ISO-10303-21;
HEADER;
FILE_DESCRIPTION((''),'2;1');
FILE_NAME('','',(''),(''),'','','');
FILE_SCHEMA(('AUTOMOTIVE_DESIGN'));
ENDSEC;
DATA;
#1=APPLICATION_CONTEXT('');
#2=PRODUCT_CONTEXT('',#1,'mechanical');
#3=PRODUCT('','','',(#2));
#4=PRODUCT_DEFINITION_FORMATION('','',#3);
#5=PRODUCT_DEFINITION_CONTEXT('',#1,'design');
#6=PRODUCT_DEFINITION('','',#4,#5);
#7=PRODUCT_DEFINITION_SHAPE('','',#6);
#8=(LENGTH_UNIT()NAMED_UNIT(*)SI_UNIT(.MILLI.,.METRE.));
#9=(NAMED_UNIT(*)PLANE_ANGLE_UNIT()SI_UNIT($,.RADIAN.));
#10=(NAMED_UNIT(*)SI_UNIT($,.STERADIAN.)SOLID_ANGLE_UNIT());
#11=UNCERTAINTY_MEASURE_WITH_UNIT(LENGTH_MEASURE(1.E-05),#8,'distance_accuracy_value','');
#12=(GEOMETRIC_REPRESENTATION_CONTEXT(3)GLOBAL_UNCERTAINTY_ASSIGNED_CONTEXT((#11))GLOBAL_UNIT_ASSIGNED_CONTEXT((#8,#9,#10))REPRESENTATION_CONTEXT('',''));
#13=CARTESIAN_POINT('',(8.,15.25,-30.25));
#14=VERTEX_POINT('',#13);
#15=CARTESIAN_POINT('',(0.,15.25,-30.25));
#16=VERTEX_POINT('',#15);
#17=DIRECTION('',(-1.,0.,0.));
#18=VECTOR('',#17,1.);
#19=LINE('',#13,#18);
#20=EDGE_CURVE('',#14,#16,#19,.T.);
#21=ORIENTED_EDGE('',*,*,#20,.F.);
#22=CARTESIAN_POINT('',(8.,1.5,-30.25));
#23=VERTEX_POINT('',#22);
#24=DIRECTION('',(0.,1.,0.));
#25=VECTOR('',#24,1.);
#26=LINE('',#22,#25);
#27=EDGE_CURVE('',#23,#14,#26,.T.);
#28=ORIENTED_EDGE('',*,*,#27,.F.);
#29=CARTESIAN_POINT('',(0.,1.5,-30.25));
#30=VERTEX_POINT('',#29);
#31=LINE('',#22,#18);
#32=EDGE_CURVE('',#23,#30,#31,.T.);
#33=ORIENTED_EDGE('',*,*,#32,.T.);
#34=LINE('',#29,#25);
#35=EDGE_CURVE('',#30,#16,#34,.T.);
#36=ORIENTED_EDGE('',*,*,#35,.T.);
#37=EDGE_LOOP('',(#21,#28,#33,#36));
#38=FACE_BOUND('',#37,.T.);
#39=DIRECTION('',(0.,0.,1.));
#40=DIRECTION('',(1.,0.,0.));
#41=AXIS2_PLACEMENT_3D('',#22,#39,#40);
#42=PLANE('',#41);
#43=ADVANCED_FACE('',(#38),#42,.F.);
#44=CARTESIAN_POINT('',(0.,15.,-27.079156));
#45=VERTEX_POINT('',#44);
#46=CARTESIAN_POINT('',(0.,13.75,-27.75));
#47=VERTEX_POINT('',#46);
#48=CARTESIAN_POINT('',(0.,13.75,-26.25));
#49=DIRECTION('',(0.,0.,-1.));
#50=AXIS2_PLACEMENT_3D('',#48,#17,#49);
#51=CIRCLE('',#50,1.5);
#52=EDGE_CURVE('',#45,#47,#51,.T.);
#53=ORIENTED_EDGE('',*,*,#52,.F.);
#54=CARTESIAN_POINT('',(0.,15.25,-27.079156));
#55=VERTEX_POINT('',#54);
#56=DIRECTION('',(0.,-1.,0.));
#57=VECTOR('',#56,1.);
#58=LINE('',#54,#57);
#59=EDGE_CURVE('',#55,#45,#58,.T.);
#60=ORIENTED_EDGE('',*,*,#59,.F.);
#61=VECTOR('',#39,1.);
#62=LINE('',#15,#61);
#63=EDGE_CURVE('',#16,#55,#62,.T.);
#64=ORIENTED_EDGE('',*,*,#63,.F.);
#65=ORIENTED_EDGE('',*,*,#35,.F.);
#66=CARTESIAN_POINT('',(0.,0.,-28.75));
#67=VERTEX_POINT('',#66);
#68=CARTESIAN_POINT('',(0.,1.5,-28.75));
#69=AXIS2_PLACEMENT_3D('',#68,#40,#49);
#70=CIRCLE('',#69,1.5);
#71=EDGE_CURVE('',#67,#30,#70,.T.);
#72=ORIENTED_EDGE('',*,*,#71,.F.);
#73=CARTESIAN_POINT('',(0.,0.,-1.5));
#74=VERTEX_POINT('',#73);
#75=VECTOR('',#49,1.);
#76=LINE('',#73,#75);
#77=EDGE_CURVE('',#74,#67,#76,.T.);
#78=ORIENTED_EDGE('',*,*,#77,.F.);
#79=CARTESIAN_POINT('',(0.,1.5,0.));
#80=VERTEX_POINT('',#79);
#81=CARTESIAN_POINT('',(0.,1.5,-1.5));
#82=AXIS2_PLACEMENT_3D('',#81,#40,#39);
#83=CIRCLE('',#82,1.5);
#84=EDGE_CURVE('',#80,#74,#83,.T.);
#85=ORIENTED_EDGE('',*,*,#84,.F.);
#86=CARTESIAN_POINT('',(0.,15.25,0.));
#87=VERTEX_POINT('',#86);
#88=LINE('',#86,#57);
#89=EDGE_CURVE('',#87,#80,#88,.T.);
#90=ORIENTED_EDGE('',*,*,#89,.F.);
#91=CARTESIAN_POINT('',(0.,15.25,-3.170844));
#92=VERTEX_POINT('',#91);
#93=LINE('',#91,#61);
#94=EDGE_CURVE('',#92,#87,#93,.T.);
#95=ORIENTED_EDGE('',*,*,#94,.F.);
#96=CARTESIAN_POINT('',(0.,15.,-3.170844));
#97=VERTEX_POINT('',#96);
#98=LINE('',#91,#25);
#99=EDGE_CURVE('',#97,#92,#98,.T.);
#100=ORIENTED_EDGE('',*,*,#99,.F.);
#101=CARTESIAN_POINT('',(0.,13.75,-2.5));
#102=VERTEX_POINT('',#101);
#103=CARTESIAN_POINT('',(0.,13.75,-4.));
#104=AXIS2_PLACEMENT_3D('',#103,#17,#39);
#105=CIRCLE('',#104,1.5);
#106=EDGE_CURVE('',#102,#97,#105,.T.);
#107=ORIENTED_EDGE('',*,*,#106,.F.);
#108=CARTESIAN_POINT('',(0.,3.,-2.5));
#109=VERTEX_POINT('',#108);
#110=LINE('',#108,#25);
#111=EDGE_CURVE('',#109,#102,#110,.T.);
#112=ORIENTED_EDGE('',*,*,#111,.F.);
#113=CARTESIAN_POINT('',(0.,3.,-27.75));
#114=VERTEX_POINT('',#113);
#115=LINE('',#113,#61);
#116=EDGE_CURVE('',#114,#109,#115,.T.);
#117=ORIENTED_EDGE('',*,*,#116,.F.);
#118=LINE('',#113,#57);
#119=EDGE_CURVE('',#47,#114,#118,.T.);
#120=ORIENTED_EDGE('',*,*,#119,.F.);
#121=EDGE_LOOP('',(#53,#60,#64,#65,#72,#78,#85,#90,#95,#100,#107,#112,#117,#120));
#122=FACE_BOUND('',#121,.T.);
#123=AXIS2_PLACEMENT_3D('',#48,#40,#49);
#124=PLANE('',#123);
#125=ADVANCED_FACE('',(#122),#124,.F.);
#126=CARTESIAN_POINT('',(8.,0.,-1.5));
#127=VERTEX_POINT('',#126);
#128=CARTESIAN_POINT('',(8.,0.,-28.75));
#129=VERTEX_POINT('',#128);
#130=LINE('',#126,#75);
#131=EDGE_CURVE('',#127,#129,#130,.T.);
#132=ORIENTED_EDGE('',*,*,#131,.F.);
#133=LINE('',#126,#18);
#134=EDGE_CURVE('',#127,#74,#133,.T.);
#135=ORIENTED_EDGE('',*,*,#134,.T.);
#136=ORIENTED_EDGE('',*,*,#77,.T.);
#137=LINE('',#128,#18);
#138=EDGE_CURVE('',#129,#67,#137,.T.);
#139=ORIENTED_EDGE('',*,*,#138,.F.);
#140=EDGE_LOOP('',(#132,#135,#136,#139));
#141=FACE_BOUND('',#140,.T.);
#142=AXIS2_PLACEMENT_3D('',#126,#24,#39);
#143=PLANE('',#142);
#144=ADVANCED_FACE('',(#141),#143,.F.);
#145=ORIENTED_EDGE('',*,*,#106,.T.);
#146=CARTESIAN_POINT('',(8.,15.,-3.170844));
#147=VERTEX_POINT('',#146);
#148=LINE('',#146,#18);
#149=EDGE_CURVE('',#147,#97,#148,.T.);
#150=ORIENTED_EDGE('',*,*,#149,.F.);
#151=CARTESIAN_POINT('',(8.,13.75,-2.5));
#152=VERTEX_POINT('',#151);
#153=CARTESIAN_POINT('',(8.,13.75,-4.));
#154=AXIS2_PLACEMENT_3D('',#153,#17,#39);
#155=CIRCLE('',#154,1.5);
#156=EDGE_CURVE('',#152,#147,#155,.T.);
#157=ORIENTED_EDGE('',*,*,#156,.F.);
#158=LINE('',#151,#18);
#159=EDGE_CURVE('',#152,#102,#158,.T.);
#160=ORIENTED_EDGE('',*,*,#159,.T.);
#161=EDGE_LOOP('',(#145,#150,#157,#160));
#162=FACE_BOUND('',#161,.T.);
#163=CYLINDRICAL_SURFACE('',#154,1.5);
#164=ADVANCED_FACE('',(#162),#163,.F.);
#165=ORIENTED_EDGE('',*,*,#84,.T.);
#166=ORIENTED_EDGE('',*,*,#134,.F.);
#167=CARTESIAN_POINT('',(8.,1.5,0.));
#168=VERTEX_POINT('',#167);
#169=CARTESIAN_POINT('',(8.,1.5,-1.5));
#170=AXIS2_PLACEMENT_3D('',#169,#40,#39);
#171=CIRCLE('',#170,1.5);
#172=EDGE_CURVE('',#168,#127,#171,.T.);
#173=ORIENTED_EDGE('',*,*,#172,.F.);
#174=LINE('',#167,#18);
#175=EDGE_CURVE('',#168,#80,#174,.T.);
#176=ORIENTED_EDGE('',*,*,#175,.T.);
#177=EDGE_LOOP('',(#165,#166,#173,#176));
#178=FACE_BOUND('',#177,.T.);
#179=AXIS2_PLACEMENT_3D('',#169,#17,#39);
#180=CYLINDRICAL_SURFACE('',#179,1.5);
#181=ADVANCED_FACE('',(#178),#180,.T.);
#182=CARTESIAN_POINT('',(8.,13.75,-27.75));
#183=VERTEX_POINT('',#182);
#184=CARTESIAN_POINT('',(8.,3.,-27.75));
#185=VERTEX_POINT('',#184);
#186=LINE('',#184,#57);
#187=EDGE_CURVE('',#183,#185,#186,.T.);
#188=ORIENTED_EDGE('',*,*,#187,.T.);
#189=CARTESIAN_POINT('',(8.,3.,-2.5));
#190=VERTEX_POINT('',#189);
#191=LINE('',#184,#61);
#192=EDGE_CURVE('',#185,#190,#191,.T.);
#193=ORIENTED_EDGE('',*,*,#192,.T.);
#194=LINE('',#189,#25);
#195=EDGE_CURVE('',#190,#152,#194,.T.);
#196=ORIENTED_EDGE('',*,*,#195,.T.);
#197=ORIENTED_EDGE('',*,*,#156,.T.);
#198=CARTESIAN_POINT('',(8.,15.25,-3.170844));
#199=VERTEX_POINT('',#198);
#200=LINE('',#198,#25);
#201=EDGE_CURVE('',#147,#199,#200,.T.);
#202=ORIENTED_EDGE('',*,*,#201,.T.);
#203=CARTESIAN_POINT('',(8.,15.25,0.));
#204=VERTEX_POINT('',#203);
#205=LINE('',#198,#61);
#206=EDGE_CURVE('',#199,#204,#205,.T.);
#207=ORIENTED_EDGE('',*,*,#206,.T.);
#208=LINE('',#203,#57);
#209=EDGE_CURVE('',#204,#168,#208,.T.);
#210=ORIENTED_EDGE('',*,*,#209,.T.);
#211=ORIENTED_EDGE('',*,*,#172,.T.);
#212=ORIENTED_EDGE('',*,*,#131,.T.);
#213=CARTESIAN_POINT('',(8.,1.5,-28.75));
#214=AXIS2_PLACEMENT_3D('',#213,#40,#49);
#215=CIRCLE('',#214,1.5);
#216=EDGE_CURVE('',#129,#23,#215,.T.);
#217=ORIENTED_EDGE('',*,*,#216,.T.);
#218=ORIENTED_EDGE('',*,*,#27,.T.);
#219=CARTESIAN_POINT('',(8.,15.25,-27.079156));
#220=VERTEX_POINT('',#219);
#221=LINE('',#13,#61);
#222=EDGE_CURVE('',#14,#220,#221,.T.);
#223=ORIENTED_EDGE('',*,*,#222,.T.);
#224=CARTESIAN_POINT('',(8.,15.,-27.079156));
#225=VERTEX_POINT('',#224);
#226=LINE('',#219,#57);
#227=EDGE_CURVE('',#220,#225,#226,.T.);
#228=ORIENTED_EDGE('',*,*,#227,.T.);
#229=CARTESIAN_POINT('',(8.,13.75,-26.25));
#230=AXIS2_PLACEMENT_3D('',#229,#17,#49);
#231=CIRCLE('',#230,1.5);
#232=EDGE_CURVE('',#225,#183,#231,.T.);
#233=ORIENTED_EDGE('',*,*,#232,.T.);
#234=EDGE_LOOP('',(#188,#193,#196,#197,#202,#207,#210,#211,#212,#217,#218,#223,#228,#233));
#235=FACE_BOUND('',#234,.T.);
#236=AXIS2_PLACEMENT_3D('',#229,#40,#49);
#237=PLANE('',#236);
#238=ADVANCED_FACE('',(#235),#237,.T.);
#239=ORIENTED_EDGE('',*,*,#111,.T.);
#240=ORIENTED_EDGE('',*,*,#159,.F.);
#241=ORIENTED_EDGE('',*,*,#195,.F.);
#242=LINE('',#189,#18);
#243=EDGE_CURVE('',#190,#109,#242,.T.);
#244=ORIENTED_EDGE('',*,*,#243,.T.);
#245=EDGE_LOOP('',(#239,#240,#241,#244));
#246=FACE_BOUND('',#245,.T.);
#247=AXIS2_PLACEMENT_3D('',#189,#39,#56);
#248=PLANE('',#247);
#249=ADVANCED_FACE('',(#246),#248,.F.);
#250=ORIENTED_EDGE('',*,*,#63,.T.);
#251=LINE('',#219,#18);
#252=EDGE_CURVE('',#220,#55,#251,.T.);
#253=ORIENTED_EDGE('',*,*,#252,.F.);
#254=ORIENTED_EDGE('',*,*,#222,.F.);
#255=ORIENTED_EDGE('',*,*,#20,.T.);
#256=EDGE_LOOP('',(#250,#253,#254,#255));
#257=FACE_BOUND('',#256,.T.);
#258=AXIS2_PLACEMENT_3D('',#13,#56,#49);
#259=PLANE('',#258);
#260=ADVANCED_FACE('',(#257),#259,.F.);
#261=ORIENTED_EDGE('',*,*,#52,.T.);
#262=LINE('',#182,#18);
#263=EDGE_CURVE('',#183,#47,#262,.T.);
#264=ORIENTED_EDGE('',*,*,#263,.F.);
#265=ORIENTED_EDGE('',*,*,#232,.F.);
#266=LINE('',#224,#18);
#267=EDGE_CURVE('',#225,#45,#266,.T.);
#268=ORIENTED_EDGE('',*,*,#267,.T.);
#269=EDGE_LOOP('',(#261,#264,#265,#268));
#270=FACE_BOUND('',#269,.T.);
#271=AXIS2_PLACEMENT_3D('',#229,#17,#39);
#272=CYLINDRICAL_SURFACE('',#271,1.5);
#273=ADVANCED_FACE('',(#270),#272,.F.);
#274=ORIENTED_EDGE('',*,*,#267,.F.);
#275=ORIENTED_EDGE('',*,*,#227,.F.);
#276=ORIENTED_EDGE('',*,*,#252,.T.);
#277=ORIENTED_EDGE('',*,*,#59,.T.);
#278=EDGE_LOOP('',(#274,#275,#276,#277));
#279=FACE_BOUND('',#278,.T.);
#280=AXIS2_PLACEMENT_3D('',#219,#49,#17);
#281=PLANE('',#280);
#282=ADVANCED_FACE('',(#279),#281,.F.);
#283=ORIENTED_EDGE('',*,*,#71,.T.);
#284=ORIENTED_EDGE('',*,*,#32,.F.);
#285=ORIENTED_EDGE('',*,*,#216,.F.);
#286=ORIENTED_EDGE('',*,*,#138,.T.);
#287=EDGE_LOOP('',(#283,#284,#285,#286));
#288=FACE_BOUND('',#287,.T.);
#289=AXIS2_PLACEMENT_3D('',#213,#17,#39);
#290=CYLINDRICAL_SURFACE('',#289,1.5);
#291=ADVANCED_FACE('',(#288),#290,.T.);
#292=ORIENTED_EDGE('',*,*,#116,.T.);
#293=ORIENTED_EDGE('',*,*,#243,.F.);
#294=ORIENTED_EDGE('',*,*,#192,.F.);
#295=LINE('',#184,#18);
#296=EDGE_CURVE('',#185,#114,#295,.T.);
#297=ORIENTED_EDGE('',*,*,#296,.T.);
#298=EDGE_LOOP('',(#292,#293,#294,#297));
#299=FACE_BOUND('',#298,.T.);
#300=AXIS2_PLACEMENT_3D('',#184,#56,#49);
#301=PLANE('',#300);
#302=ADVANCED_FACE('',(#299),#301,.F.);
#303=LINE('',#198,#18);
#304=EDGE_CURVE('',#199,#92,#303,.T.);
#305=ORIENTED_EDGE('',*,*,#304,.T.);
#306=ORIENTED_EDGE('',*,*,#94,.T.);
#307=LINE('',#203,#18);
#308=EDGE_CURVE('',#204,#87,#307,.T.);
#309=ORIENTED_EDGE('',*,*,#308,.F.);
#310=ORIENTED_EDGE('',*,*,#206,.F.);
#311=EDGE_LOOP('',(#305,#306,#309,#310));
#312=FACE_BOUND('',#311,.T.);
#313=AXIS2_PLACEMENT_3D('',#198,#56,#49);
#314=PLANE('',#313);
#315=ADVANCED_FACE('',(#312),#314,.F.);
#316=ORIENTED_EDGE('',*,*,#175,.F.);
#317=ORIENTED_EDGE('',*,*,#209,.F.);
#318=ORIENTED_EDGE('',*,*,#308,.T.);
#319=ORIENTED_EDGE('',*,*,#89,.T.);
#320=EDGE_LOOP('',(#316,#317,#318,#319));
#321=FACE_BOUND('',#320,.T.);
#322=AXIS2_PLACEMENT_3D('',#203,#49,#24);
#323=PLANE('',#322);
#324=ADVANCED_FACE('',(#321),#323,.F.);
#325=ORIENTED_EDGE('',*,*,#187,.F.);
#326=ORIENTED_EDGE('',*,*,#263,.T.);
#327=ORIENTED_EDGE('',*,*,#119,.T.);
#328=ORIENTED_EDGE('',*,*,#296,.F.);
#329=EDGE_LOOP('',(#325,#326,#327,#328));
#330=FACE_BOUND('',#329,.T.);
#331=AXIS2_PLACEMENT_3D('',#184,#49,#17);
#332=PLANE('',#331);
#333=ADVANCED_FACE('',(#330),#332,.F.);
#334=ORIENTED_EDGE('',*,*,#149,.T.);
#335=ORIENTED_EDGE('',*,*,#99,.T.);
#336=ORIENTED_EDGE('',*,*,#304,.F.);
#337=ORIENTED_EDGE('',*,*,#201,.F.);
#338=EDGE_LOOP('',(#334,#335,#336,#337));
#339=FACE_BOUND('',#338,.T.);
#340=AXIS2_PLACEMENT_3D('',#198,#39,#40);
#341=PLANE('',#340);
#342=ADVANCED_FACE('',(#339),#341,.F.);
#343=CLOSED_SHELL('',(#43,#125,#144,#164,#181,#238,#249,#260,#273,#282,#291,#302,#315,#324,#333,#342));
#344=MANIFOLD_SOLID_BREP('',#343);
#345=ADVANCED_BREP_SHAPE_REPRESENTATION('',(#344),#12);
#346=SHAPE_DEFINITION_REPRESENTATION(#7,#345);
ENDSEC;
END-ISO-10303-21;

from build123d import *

# Parameters (mm, degrees)
PROFILEBOSS_EXTRUDE1_DEPTH = 8


with BuildPart() as part:
    # Sketch2 → ProfileBoss-Extrude1 (new body)
    with BuildSketch(Plane(origin=(0, 0, 0), x_dir=(0, 0, -1), z_dir=(1, 0, 0))):
        with BuildLine():
            Line((1.5, 0), (28.75, 0))
            ThreePointArc((28.75, 0), (29.810660172, 0.439339828), (30.25, 1.5))
            Line((30.25, 1.5), (30.25, 15.25))
            Line((30.25, 15.25), (27.079156198, 15.25))
            Line((27.079156198, 15.25), (27.079156198, 15))
            ThreePointArc((27.079156198, 15), (27.571691018, 14.459318583), (27.75, 13.75))
            Line((27.75, 13.75), (27.75, 3))
            Line((27.75, 3), (2.5, 3))
            Line((2.5, 3), (2.5, 13.75))
            ThreePointArc((2.5, 13.75), (2.678308982, 14.459318583), (3.170843802, 15))
            Line((3.170843802, 15), (3.170843802, 15.25))
            Line((3.170843802, 15.25), (0, 15.25))
            Line((0, 15.25), (0, 1.5))
            ThreePointArc((0, 1.5), (0.439339828, 0.439339828), (1.5, 0))
        make_face()
    extrude(amount=PROFILEBOSS_EXTRUDE1_DEPTH)


solid = part.part
